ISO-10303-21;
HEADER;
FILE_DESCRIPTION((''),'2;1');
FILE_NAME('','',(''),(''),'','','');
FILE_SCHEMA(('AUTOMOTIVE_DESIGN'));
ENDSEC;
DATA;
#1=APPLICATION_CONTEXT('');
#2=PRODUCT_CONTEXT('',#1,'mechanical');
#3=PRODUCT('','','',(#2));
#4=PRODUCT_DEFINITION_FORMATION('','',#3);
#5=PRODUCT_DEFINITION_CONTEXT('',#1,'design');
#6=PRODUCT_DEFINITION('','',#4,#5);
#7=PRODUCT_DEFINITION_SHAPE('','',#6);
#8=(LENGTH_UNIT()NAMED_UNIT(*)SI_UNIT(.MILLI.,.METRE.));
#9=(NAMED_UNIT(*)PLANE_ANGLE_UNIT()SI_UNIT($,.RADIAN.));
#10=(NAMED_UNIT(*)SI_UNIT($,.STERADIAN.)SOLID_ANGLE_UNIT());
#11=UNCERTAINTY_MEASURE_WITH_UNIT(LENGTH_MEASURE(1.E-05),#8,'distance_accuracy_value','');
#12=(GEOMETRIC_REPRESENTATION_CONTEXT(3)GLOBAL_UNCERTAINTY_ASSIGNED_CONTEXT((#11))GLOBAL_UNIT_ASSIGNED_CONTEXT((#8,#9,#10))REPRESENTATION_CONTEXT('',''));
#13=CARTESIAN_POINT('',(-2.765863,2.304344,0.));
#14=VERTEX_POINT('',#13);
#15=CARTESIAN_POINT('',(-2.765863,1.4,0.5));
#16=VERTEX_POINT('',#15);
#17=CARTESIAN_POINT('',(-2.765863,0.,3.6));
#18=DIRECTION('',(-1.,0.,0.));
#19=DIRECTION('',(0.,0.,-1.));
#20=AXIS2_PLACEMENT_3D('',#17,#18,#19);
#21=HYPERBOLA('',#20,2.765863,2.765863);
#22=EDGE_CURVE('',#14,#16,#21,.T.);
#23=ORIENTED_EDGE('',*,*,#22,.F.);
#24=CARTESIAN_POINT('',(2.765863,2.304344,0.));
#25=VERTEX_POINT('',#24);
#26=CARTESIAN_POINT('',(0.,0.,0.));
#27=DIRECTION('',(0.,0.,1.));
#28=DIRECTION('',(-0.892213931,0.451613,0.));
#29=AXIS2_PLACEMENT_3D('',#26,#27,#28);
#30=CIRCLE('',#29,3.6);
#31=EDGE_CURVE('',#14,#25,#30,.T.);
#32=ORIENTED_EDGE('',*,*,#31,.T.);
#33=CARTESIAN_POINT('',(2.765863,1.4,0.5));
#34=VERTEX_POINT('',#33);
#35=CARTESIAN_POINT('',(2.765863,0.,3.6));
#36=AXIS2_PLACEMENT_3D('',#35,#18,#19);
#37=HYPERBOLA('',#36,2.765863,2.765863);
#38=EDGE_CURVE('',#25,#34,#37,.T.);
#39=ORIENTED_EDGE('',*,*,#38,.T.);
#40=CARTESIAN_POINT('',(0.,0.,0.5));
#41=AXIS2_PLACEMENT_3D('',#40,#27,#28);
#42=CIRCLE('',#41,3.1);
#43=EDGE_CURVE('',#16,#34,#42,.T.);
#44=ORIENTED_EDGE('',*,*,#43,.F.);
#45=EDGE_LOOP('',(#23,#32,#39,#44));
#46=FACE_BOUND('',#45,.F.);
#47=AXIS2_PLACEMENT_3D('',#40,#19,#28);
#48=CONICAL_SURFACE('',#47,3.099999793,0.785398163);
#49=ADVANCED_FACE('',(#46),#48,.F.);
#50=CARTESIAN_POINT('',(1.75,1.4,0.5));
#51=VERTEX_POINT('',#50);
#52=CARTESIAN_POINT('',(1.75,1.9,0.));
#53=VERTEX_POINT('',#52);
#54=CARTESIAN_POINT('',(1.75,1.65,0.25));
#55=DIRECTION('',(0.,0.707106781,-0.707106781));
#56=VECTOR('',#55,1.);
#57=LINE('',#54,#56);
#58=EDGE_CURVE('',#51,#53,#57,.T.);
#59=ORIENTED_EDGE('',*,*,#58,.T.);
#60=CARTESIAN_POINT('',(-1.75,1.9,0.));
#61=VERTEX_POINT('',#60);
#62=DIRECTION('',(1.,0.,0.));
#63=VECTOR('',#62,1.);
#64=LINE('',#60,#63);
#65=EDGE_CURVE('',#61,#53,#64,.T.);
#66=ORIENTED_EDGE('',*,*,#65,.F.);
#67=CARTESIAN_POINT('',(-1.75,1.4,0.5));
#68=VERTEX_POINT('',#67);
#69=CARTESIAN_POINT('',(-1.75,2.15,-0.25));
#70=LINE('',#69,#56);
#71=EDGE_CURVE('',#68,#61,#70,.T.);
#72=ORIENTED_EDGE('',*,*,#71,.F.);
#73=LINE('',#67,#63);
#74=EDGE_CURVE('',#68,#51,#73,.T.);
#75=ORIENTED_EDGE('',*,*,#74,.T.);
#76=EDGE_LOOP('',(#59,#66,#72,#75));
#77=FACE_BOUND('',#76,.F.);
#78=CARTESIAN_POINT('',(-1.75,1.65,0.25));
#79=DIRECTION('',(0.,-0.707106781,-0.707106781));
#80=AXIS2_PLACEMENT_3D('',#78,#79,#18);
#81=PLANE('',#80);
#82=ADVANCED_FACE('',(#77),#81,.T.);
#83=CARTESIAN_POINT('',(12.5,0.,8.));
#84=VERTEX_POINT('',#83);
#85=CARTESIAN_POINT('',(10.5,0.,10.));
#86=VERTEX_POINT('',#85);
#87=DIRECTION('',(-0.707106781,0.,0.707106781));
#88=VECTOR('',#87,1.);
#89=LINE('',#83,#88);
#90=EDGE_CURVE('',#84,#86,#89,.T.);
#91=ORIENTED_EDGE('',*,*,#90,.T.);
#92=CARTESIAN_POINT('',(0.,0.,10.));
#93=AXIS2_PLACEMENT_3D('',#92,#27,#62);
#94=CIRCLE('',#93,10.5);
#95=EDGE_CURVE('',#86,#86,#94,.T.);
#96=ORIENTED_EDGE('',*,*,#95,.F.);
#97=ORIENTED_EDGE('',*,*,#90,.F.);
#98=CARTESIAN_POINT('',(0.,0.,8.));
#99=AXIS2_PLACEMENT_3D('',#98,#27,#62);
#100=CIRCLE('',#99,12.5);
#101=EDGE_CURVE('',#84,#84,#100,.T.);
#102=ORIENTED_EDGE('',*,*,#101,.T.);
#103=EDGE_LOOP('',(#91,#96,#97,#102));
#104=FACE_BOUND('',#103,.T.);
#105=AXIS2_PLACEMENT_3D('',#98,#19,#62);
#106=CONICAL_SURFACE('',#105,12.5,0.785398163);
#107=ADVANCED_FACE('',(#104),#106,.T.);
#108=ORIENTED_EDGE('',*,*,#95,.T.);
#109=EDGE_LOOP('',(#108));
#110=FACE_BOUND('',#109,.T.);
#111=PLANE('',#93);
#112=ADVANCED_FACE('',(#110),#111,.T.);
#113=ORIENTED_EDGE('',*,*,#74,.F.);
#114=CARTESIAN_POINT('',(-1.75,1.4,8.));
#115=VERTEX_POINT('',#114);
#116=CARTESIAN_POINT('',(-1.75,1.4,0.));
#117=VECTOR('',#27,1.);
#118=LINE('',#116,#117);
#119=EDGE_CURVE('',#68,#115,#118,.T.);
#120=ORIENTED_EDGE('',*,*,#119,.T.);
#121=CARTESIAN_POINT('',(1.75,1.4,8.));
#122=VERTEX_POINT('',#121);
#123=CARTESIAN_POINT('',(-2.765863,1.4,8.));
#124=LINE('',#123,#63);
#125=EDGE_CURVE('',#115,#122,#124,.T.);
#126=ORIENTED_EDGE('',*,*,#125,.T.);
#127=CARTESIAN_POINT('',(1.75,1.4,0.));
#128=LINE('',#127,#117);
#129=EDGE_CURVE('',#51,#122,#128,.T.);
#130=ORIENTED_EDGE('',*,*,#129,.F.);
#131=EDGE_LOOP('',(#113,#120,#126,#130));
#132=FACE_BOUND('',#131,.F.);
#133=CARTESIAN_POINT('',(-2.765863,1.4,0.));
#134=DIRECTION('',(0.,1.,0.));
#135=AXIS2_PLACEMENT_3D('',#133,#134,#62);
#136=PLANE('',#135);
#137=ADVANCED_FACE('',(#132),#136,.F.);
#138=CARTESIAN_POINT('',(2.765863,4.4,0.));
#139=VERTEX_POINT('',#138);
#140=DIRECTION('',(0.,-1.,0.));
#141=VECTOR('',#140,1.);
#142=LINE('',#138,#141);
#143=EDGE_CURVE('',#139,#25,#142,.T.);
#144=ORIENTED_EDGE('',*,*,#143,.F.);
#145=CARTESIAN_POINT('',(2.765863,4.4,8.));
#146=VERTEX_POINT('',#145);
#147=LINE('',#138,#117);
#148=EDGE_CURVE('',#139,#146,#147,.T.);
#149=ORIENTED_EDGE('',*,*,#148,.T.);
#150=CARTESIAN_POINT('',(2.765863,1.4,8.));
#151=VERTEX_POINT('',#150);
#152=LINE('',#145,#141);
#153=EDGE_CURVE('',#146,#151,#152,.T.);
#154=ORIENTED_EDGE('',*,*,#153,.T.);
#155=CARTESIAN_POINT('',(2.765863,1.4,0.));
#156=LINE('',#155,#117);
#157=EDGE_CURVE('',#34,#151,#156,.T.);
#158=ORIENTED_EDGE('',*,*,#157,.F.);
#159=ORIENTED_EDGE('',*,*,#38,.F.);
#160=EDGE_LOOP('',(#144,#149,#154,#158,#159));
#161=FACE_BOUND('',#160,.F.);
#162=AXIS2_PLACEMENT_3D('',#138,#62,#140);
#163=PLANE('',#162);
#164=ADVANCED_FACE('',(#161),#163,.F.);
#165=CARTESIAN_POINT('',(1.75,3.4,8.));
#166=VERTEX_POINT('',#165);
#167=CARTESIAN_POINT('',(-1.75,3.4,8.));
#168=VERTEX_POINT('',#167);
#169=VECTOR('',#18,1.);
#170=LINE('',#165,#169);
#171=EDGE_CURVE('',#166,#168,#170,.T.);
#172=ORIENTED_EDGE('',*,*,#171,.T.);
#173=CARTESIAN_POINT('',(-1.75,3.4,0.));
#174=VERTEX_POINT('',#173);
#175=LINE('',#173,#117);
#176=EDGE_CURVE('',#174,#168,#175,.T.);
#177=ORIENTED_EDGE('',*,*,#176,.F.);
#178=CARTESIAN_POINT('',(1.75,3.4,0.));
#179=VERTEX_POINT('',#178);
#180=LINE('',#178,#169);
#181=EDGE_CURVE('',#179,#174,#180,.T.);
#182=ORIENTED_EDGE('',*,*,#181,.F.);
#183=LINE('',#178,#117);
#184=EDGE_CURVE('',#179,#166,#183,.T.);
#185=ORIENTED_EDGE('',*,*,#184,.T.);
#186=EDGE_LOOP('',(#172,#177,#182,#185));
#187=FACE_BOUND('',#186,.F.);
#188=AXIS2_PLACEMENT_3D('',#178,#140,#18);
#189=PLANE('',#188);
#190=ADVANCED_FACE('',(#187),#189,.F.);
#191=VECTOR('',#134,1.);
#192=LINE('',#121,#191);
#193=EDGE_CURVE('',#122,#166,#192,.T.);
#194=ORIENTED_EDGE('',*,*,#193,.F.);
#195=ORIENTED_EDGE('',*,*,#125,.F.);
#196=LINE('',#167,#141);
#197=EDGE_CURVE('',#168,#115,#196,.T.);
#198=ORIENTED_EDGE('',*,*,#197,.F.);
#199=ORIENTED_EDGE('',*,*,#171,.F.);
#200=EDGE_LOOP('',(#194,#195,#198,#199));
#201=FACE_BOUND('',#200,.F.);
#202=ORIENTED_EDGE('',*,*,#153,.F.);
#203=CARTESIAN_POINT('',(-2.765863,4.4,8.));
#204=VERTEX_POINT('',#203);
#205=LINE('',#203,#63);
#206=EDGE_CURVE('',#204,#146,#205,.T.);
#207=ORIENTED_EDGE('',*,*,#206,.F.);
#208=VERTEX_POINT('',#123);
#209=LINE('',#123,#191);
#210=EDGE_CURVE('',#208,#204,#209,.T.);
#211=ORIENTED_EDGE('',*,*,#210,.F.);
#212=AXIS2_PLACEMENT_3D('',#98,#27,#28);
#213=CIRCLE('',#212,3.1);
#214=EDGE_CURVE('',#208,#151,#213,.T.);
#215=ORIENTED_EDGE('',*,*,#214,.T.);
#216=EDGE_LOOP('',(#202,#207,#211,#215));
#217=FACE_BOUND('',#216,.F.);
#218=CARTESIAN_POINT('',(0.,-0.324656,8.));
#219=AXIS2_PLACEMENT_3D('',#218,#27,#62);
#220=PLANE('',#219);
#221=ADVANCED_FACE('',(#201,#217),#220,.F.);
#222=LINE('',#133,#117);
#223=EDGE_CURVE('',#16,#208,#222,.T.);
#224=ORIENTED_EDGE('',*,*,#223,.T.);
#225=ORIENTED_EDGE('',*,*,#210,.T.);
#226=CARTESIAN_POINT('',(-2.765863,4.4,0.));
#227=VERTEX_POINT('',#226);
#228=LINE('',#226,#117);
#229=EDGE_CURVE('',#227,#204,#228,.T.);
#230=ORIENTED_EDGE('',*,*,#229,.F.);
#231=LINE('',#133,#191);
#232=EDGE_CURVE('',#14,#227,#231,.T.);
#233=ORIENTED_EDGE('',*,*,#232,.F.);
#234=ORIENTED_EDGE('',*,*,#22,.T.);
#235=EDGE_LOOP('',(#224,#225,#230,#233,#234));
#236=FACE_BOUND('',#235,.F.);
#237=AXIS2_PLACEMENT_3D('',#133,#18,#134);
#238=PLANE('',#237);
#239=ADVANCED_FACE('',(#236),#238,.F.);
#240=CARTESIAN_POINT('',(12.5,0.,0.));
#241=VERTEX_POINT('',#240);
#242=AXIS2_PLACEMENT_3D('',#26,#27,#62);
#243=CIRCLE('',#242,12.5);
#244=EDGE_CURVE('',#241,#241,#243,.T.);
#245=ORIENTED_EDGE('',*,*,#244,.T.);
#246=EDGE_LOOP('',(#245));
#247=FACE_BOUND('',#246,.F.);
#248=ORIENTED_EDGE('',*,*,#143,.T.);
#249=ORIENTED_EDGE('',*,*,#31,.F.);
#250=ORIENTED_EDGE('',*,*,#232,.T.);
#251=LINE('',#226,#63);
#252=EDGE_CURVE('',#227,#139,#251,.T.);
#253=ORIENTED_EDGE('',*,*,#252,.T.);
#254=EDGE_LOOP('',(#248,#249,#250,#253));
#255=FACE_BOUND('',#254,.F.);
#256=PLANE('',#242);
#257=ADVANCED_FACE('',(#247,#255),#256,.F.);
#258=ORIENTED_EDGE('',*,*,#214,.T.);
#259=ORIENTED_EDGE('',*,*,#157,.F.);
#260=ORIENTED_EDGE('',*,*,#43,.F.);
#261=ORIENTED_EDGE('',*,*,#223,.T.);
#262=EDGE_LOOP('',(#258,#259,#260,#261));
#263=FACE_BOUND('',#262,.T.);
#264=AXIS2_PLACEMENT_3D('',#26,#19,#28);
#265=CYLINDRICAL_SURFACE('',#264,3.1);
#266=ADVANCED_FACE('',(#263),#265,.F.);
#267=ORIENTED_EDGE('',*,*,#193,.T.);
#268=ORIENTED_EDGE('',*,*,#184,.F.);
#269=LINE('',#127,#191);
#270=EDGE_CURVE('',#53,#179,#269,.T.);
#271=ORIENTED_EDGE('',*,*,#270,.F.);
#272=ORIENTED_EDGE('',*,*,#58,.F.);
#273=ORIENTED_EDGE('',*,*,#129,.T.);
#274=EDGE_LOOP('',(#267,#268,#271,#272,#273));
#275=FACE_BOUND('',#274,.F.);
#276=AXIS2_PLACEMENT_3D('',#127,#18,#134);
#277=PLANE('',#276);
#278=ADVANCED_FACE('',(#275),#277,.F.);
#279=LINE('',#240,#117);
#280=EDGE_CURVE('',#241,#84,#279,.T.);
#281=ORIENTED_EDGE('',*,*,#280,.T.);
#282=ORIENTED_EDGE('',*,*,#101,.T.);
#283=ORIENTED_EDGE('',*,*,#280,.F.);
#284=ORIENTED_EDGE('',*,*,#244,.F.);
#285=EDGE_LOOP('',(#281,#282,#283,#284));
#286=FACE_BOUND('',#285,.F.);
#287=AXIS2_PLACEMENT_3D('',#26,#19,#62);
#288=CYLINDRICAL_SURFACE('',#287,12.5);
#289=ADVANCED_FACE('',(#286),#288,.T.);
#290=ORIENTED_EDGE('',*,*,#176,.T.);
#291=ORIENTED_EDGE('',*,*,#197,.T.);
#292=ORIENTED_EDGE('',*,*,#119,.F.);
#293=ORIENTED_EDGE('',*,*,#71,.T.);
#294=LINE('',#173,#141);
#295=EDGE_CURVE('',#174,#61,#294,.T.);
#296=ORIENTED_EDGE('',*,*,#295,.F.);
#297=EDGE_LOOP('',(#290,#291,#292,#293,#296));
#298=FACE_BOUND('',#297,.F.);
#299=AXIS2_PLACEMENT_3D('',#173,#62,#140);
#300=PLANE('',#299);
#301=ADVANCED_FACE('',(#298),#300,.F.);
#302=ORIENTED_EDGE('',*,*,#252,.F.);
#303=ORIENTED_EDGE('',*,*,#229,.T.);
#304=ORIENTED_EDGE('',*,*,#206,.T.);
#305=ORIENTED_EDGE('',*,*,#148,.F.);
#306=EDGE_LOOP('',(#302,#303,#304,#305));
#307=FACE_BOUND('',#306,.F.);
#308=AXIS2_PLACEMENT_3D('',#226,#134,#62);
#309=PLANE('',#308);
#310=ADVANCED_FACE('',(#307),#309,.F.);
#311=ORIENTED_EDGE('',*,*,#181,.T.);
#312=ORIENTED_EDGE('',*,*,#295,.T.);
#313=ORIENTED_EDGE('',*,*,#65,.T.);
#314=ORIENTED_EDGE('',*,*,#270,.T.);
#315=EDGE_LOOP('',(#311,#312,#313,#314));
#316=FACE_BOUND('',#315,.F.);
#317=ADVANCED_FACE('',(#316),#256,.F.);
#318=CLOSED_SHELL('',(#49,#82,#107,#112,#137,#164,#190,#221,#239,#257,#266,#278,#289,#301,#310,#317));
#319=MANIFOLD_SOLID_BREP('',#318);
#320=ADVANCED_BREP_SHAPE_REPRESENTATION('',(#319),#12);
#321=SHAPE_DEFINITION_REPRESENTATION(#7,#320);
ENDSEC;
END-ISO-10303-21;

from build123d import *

# Parameters (mm, degrees)
SKETCH_R        = 12.5
PAD_DEPTH       = 10
POCKET_DEPTH    = 8
CHAMFER_SIZE    = 2
POCKET001_DEPTH = 8
CHAMFER001_SIZE = 0.5


with BuildPart() as part:
    # Sketch → Pad (new body)
    with BuildSketch(Plane.XY):
        Circle(SKETCH_R)
    extrude(amount=PAD_DEPTH)

    # Sketch001 → Pocket (cut)
    with BuildSketch(Plane.XY):
        with BuildLine():
            ThreePointArc((-2.765863, 1.4), (0, -3.1), (2.765863, 1.4))
            Line((-2.765863, 1.4), (2.765863, 1.4))
        make_face()
    extrude(amount=POCKET_DEPTH, mode=Mode.SUBTRACT)

    # Chamfer
    chamfer_edges = [part.edges().sort_by_distance(p)[0] for p in [
        (-12.5, 0, 10),
    ]]
    chamfer(chamfer_edges, length=CHAMFER_SIZE)

    # Sketch002 → Pocket001 (cut)
    with BuildSketch(Plane.XY):
        Polygon((1.75, 1.4), (1.75, 3.4), (-1.75, 3.4), (-1.75, 1.4), (-2.765863, 1.4), (-2.765863, 4.4), (2.765863, 4.4), (2.765863, 1.4), align=None)
    extrude(amount=POCKET001_DEPTH, mode=Mode.SUBTRACT)

    # Chamfer001
    chamfer001_edges = [part.edges().sort_by_distance(p)[0] for p in [
        (0, -3.1, 0),
        (0, 1.4, 0),
    ]]
    chamfer(chamfer001_edges, length=CHAMFER001_SIZE)


solid = part.part
